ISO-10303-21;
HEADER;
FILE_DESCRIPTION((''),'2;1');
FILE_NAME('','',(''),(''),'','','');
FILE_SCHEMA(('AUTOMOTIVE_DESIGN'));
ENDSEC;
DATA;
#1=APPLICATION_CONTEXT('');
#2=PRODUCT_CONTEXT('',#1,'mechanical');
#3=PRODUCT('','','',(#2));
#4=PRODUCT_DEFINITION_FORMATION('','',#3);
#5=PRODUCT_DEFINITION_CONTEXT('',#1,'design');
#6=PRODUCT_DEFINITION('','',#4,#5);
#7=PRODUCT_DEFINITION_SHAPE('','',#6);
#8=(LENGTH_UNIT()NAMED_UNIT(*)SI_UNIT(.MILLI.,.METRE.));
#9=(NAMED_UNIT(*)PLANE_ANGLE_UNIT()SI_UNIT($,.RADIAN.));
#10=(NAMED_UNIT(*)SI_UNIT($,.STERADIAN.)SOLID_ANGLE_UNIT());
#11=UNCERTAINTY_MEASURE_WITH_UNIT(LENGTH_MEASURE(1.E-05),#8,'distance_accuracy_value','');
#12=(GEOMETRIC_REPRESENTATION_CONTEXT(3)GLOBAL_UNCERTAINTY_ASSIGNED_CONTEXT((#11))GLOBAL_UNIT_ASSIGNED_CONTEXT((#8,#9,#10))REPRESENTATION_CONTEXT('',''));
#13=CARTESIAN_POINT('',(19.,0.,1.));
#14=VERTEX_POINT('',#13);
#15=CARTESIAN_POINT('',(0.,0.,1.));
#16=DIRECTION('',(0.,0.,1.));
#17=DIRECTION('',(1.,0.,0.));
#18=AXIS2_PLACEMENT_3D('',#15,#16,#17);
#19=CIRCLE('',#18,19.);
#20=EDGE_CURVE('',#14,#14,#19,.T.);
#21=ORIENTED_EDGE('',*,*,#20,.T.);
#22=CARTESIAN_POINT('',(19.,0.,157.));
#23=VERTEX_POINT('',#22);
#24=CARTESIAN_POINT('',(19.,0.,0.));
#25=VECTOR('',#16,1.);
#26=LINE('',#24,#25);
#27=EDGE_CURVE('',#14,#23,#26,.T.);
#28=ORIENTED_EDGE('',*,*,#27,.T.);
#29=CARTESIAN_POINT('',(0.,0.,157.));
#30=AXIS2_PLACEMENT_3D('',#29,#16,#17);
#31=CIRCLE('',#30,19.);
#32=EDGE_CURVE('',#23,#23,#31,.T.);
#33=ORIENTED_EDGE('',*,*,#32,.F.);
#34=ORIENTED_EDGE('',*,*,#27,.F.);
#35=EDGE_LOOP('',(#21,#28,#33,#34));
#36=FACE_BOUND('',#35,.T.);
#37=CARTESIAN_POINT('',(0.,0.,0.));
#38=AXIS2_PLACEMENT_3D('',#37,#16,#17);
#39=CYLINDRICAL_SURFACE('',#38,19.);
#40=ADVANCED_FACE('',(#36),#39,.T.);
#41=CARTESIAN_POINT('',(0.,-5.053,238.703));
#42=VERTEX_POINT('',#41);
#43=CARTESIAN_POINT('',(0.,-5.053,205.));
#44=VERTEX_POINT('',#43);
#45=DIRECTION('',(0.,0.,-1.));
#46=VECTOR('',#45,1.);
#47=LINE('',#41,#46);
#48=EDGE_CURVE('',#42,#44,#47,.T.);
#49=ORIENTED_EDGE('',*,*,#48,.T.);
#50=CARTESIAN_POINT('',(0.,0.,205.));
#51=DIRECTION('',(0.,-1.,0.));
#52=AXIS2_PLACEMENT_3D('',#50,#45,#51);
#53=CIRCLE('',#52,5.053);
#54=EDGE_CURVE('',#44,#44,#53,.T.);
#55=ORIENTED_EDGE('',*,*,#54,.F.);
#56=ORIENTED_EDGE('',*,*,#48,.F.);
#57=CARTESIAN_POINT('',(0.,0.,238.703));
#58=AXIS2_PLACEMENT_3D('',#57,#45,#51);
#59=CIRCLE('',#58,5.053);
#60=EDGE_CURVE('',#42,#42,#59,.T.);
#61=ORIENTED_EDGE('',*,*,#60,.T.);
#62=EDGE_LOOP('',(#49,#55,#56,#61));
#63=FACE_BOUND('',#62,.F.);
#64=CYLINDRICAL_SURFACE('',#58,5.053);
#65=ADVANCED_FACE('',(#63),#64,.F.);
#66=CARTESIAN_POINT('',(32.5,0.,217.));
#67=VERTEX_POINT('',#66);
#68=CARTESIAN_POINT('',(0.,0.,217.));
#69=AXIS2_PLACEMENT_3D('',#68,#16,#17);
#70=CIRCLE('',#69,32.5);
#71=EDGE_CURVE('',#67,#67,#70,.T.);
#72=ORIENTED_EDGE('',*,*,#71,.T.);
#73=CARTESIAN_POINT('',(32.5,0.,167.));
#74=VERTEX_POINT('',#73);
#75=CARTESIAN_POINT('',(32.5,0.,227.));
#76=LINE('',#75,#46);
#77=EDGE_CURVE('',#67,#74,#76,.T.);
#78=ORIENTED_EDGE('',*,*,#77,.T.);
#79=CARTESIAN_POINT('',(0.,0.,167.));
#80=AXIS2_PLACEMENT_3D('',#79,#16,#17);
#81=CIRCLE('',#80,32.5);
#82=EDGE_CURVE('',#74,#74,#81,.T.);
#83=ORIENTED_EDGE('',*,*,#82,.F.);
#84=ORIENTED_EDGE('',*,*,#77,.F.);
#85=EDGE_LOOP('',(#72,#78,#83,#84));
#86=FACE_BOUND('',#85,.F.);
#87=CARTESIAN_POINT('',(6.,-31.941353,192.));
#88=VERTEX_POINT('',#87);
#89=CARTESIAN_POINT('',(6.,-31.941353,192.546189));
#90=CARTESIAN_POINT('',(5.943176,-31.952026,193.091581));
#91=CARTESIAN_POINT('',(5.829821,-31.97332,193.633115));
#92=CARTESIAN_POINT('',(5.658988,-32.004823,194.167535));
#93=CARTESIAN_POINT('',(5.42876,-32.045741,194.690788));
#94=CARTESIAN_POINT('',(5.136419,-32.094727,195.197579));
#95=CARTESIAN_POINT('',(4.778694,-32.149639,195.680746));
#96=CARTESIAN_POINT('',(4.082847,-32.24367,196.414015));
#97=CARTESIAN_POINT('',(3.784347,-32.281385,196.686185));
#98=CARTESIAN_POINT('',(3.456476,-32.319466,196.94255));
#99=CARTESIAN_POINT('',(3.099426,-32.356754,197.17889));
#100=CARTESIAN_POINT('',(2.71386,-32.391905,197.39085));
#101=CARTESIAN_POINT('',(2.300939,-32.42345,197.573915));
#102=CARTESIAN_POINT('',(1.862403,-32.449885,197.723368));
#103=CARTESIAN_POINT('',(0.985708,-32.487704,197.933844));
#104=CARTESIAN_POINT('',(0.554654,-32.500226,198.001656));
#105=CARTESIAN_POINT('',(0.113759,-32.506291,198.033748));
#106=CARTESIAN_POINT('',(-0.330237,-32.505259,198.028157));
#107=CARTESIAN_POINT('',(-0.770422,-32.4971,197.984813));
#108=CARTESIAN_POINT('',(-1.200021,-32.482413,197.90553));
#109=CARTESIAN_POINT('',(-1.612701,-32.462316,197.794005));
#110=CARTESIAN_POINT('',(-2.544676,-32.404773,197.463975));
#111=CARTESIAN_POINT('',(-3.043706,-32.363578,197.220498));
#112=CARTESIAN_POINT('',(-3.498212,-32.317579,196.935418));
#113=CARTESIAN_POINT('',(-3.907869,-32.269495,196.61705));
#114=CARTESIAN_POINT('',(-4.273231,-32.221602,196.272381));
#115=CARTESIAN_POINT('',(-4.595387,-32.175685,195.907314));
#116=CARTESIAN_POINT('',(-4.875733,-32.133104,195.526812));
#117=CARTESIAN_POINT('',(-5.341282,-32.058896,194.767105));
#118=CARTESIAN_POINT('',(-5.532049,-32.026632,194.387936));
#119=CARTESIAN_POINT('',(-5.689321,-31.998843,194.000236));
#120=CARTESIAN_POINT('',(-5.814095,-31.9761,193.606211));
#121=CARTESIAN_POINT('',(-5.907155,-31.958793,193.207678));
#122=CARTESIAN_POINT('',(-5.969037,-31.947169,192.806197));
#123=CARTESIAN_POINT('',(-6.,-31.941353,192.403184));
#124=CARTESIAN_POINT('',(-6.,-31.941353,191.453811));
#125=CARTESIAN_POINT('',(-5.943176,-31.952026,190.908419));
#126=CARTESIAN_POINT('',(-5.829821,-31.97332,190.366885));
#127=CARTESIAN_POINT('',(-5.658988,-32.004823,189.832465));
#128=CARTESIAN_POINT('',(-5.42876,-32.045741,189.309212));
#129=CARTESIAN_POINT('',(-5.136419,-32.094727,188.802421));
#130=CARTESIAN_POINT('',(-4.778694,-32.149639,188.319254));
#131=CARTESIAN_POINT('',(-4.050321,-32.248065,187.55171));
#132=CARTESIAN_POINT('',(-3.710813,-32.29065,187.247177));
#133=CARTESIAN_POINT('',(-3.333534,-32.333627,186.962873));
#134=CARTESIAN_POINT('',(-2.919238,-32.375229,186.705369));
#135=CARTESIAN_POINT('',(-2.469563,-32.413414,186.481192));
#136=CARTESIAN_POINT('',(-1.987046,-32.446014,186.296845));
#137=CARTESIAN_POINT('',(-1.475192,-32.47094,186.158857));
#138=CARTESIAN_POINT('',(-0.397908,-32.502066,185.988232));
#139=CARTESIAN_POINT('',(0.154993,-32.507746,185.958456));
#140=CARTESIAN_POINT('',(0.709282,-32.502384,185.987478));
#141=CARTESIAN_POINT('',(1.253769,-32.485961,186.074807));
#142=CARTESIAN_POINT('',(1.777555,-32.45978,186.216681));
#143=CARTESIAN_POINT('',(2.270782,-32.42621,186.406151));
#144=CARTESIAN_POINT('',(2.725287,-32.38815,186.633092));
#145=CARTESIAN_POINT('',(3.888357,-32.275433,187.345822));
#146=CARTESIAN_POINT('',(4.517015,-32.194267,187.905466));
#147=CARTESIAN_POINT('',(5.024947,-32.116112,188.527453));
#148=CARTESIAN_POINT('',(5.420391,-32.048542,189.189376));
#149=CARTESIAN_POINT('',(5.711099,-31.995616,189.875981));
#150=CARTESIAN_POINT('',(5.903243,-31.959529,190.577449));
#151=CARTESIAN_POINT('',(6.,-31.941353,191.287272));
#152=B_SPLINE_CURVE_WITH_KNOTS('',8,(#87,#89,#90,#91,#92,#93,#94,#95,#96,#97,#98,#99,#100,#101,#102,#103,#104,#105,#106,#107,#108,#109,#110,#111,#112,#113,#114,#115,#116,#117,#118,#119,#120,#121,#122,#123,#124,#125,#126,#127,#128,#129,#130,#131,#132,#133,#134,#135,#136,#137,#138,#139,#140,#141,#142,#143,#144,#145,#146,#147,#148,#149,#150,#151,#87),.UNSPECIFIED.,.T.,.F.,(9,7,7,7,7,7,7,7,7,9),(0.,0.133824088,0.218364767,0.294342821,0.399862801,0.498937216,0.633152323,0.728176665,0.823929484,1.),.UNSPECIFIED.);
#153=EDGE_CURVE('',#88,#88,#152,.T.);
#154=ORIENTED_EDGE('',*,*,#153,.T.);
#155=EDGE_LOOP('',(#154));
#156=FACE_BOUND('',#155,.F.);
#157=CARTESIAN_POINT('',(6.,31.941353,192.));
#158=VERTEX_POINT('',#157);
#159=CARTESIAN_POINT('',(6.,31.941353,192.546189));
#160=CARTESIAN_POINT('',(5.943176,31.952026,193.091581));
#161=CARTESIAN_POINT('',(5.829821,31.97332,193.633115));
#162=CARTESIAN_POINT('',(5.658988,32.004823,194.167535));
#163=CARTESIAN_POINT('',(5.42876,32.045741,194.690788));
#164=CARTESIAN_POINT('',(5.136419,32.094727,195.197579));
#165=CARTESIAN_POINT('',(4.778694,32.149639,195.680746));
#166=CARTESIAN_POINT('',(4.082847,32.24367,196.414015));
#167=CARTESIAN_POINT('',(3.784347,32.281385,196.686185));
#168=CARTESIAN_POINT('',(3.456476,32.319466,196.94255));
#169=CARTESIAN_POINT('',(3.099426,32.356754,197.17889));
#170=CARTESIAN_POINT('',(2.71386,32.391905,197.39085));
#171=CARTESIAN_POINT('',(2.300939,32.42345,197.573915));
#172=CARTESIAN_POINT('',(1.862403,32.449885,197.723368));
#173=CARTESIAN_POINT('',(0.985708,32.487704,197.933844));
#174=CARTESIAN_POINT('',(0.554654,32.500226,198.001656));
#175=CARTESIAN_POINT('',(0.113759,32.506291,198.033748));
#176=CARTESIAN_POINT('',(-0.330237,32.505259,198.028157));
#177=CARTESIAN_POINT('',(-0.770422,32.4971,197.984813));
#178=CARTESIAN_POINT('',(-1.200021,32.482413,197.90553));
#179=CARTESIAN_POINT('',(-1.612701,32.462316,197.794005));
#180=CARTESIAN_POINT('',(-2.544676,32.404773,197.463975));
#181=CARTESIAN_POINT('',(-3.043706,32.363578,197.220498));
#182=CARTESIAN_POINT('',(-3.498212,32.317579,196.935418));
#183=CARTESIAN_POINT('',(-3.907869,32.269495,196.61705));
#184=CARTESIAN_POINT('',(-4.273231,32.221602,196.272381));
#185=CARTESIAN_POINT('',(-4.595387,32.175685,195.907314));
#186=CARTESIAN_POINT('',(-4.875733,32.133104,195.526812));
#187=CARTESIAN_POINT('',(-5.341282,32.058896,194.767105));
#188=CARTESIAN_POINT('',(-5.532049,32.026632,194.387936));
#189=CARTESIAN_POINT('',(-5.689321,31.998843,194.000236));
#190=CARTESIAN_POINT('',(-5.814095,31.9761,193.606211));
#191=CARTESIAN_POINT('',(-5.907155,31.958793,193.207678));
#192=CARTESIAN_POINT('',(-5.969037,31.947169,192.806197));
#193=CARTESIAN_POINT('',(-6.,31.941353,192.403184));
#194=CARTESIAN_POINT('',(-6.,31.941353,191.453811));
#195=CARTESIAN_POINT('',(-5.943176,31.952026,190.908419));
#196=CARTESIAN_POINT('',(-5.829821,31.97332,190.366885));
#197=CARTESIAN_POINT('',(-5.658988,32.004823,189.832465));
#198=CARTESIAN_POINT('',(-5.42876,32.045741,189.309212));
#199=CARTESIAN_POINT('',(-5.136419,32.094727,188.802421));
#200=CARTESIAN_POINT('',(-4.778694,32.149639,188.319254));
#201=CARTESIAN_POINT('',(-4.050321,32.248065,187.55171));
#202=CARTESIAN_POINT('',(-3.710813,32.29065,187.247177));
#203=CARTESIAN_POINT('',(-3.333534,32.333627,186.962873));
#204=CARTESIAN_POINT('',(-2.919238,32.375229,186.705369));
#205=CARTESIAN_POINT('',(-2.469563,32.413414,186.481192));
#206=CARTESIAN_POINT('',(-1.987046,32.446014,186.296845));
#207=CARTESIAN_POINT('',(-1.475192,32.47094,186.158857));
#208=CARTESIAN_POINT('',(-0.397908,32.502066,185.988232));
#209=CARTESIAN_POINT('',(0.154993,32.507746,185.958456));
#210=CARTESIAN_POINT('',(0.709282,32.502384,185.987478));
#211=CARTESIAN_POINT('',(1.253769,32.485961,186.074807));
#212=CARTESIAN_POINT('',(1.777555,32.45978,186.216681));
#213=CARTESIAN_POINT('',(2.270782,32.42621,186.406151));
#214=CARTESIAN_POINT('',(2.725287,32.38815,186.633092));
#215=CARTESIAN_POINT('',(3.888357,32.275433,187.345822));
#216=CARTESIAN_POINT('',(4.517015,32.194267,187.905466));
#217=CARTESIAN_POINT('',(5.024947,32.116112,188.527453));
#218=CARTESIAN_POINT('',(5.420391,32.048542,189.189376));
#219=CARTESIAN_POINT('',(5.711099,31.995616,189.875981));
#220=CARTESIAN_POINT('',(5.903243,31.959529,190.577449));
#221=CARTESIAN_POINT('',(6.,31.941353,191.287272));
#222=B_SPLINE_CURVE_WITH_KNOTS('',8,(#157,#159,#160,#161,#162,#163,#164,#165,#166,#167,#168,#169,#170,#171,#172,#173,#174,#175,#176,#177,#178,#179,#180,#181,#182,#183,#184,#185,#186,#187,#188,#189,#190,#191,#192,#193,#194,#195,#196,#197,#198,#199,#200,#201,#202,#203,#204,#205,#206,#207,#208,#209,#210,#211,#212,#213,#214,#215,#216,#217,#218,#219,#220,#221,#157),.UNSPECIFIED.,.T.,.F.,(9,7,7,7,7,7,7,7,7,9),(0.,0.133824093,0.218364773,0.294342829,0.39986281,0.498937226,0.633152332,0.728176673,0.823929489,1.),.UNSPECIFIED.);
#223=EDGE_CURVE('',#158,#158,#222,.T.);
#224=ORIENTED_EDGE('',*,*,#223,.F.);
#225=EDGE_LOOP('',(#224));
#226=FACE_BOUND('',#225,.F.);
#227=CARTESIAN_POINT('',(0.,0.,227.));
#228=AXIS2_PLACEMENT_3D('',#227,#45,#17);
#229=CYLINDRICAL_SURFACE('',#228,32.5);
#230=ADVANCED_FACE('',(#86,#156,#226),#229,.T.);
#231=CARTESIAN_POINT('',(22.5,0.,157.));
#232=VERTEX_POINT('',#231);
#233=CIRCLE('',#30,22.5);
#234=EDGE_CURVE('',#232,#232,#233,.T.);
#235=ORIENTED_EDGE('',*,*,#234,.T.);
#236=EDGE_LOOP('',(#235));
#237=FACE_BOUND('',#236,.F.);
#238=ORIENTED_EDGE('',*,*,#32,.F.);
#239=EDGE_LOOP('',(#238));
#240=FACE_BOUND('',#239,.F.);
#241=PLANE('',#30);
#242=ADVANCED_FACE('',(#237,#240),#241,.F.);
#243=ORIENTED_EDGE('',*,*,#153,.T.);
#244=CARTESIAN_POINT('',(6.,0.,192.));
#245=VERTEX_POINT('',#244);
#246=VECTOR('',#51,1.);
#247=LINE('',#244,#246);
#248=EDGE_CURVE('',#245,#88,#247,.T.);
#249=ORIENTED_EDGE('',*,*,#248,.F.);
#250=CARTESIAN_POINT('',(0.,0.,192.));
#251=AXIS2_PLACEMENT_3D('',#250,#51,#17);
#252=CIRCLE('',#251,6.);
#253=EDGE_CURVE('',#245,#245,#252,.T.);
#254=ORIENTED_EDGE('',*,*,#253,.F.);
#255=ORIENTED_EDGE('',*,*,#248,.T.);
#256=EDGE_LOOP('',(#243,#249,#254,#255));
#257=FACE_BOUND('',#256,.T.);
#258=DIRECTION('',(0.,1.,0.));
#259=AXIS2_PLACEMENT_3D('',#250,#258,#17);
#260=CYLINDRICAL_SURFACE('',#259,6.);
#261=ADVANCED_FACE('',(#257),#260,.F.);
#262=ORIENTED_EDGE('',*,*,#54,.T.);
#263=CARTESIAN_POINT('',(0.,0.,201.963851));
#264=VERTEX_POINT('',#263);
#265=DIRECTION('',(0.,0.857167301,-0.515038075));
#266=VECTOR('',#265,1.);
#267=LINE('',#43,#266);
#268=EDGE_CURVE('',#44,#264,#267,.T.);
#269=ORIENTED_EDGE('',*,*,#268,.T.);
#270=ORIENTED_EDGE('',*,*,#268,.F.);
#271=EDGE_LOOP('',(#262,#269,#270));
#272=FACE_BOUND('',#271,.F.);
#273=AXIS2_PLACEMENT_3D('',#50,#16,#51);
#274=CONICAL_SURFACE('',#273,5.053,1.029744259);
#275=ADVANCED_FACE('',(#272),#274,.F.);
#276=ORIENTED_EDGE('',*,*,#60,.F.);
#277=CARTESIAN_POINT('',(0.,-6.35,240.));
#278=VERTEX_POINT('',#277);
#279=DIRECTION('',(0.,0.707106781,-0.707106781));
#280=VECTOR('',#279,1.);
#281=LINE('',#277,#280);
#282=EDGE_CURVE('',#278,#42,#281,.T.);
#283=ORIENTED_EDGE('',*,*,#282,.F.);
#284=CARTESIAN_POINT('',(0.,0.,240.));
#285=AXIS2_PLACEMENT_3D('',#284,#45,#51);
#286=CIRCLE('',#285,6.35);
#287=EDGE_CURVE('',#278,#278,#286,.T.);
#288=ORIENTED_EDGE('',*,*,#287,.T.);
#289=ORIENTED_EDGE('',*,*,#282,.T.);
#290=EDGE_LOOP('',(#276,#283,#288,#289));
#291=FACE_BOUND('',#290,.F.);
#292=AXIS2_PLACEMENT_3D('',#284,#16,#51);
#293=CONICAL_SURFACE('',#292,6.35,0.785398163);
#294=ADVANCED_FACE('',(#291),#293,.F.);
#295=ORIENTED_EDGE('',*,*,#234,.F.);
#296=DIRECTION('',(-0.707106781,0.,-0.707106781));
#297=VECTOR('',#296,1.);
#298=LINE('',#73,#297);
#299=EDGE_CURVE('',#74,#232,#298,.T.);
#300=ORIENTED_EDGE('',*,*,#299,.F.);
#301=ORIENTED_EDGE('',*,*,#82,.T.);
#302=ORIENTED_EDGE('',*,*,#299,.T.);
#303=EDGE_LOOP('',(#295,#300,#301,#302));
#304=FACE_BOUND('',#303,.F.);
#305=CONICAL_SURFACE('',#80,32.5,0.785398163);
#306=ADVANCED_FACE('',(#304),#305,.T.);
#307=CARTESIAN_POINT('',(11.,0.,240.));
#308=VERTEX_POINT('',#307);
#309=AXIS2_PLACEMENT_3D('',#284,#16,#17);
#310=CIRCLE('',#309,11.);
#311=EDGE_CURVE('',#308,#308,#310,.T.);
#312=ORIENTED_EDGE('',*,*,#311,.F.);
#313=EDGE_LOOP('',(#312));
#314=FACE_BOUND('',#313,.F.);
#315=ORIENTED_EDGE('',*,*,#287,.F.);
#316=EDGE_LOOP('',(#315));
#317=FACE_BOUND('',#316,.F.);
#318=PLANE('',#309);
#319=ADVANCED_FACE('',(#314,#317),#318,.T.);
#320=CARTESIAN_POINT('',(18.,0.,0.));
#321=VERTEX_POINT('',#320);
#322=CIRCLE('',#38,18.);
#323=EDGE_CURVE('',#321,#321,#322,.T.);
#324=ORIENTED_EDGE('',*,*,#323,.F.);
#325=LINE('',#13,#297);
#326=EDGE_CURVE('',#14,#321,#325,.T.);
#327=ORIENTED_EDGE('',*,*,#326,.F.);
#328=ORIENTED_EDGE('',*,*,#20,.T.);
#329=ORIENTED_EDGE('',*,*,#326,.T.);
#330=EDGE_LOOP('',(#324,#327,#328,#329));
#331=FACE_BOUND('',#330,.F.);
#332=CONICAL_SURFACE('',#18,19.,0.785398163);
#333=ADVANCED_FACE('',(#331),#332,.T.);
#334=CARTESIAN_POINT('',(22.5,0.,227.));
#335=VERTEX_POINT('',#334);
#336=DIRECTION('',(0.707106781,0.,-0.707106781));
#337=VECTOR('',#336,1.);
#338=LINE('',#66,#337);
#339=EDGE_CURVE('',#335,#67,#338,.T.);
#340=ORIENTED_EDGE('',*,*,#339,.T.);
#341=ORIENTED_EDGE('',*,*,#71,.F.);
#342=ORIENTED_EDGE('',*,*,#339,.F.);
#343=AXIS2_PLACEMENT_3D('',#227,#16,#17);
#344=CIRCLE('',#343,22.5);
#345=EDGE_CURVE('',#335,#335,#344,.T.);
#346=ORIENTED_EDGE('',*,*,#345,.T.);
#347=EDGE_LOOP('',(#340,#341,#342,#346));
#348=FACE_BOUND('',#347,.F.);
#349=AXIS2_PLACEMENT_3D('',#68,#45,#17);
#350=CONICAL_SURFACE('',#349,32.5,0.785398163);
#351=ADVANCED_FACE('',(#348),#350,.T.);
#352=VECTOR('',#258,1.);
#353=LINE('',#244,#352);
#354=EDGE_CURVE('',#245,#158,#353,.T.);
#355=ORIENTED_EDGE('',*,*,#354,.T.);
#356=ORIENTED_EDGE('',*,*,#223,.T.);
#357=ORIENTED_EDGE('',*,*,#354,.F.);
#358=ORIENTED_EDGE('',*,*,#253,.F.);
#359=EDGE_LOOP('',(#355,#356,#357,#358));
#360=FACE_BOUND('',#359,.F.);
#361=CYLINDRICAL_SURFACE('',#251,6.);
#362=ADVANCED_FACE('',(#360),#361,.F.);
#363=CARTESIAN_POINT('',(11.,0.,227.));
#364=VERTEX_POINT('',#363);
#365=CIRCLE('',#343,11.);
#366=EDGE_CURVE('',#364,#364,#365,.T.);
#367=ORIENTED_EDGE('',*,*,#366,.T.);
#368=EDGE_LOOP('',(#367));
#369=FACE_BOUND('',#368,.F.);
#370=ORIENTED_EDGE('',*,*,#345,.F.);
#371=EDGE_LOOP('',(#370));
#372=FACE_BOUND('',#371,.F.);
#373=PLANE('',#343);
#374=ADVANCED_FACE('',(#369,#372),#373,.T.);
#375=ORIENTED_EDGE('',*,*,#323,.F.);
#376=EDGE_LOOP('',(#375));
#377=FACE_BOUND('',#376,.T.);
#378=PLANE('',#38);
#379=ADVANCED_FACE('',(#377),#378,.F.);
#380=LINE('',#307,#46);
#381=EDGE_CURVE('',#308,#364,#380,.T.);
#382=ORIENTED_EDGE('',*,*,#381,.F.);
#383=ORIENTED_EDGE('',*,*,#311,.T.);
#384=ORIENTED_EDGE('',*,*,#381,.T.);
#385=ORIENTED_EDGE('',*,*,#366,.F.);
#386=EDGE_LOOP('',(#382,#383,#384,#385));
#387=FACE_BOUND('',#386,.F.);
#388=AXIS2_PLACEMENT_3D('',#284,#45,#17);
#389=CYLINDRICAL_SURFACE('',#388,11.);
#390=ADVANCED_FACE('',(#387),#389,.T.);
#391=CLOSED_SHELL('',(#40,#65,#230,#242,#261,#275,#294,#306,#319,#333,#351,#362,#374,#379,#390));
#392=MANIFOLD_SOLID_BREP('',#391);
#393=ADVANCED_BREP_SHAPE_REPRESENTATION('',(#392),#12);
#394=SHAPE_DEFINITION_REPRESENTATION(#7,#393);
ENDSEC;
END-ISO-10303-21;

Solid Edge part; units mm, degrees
sketch "Sketch1" plane through (0, 0, 0) normal (0, -1, 0) x (1, 0, 0)
  line L0 (0, 240) -> (11, 240)
  line L1 (11, 240) -> (11, 227)
  line L2 (11, 227) -> (32.5, 227)
  line L3 (32.5, 227) -> (32.5, 157)
  line L4 (32.5, 157) -> (19, 157)
  line L5 (19, 0) -> (19, 157)
  line L6 (0, 0) -> (19, 0)
revolve "RevolvedProtrusion1" add sketch "Sketch1" angle 360 about axis through (0, 0, 0) along (0, 0, 1)
chamfer "Chamfer1" distance 10 angle 45 2 edges at (-32.5, 0, 227) (-32.5, 0, 157)
cosmetic_thread "Thread_1" size "Tr 38 x 10" thread depth 154
chamfer "Chamfer_2" distance 1 angle 45 1 edges at (-19, 0, 0)
sketch "Sketch2" plane through (0, 0, 0) normal (0, -1, 0) x (1, 0, 0)
  circle A0 centre (0, 192) radius 6
  dimension "D1" = 35
extrude "ExtrudedCutout_1" cut sketch "Sketch2" along normal mid plane 191.2214
hole "Hole_1" at (0, 0, 240) direction (0, 0, -1) diameter 10.106 depth 35 tip angle 118 countersink diameter 12.7 countersink angle 90 thread major 12 thread length 30
properties part number "3" material "Fe - 410 W"
